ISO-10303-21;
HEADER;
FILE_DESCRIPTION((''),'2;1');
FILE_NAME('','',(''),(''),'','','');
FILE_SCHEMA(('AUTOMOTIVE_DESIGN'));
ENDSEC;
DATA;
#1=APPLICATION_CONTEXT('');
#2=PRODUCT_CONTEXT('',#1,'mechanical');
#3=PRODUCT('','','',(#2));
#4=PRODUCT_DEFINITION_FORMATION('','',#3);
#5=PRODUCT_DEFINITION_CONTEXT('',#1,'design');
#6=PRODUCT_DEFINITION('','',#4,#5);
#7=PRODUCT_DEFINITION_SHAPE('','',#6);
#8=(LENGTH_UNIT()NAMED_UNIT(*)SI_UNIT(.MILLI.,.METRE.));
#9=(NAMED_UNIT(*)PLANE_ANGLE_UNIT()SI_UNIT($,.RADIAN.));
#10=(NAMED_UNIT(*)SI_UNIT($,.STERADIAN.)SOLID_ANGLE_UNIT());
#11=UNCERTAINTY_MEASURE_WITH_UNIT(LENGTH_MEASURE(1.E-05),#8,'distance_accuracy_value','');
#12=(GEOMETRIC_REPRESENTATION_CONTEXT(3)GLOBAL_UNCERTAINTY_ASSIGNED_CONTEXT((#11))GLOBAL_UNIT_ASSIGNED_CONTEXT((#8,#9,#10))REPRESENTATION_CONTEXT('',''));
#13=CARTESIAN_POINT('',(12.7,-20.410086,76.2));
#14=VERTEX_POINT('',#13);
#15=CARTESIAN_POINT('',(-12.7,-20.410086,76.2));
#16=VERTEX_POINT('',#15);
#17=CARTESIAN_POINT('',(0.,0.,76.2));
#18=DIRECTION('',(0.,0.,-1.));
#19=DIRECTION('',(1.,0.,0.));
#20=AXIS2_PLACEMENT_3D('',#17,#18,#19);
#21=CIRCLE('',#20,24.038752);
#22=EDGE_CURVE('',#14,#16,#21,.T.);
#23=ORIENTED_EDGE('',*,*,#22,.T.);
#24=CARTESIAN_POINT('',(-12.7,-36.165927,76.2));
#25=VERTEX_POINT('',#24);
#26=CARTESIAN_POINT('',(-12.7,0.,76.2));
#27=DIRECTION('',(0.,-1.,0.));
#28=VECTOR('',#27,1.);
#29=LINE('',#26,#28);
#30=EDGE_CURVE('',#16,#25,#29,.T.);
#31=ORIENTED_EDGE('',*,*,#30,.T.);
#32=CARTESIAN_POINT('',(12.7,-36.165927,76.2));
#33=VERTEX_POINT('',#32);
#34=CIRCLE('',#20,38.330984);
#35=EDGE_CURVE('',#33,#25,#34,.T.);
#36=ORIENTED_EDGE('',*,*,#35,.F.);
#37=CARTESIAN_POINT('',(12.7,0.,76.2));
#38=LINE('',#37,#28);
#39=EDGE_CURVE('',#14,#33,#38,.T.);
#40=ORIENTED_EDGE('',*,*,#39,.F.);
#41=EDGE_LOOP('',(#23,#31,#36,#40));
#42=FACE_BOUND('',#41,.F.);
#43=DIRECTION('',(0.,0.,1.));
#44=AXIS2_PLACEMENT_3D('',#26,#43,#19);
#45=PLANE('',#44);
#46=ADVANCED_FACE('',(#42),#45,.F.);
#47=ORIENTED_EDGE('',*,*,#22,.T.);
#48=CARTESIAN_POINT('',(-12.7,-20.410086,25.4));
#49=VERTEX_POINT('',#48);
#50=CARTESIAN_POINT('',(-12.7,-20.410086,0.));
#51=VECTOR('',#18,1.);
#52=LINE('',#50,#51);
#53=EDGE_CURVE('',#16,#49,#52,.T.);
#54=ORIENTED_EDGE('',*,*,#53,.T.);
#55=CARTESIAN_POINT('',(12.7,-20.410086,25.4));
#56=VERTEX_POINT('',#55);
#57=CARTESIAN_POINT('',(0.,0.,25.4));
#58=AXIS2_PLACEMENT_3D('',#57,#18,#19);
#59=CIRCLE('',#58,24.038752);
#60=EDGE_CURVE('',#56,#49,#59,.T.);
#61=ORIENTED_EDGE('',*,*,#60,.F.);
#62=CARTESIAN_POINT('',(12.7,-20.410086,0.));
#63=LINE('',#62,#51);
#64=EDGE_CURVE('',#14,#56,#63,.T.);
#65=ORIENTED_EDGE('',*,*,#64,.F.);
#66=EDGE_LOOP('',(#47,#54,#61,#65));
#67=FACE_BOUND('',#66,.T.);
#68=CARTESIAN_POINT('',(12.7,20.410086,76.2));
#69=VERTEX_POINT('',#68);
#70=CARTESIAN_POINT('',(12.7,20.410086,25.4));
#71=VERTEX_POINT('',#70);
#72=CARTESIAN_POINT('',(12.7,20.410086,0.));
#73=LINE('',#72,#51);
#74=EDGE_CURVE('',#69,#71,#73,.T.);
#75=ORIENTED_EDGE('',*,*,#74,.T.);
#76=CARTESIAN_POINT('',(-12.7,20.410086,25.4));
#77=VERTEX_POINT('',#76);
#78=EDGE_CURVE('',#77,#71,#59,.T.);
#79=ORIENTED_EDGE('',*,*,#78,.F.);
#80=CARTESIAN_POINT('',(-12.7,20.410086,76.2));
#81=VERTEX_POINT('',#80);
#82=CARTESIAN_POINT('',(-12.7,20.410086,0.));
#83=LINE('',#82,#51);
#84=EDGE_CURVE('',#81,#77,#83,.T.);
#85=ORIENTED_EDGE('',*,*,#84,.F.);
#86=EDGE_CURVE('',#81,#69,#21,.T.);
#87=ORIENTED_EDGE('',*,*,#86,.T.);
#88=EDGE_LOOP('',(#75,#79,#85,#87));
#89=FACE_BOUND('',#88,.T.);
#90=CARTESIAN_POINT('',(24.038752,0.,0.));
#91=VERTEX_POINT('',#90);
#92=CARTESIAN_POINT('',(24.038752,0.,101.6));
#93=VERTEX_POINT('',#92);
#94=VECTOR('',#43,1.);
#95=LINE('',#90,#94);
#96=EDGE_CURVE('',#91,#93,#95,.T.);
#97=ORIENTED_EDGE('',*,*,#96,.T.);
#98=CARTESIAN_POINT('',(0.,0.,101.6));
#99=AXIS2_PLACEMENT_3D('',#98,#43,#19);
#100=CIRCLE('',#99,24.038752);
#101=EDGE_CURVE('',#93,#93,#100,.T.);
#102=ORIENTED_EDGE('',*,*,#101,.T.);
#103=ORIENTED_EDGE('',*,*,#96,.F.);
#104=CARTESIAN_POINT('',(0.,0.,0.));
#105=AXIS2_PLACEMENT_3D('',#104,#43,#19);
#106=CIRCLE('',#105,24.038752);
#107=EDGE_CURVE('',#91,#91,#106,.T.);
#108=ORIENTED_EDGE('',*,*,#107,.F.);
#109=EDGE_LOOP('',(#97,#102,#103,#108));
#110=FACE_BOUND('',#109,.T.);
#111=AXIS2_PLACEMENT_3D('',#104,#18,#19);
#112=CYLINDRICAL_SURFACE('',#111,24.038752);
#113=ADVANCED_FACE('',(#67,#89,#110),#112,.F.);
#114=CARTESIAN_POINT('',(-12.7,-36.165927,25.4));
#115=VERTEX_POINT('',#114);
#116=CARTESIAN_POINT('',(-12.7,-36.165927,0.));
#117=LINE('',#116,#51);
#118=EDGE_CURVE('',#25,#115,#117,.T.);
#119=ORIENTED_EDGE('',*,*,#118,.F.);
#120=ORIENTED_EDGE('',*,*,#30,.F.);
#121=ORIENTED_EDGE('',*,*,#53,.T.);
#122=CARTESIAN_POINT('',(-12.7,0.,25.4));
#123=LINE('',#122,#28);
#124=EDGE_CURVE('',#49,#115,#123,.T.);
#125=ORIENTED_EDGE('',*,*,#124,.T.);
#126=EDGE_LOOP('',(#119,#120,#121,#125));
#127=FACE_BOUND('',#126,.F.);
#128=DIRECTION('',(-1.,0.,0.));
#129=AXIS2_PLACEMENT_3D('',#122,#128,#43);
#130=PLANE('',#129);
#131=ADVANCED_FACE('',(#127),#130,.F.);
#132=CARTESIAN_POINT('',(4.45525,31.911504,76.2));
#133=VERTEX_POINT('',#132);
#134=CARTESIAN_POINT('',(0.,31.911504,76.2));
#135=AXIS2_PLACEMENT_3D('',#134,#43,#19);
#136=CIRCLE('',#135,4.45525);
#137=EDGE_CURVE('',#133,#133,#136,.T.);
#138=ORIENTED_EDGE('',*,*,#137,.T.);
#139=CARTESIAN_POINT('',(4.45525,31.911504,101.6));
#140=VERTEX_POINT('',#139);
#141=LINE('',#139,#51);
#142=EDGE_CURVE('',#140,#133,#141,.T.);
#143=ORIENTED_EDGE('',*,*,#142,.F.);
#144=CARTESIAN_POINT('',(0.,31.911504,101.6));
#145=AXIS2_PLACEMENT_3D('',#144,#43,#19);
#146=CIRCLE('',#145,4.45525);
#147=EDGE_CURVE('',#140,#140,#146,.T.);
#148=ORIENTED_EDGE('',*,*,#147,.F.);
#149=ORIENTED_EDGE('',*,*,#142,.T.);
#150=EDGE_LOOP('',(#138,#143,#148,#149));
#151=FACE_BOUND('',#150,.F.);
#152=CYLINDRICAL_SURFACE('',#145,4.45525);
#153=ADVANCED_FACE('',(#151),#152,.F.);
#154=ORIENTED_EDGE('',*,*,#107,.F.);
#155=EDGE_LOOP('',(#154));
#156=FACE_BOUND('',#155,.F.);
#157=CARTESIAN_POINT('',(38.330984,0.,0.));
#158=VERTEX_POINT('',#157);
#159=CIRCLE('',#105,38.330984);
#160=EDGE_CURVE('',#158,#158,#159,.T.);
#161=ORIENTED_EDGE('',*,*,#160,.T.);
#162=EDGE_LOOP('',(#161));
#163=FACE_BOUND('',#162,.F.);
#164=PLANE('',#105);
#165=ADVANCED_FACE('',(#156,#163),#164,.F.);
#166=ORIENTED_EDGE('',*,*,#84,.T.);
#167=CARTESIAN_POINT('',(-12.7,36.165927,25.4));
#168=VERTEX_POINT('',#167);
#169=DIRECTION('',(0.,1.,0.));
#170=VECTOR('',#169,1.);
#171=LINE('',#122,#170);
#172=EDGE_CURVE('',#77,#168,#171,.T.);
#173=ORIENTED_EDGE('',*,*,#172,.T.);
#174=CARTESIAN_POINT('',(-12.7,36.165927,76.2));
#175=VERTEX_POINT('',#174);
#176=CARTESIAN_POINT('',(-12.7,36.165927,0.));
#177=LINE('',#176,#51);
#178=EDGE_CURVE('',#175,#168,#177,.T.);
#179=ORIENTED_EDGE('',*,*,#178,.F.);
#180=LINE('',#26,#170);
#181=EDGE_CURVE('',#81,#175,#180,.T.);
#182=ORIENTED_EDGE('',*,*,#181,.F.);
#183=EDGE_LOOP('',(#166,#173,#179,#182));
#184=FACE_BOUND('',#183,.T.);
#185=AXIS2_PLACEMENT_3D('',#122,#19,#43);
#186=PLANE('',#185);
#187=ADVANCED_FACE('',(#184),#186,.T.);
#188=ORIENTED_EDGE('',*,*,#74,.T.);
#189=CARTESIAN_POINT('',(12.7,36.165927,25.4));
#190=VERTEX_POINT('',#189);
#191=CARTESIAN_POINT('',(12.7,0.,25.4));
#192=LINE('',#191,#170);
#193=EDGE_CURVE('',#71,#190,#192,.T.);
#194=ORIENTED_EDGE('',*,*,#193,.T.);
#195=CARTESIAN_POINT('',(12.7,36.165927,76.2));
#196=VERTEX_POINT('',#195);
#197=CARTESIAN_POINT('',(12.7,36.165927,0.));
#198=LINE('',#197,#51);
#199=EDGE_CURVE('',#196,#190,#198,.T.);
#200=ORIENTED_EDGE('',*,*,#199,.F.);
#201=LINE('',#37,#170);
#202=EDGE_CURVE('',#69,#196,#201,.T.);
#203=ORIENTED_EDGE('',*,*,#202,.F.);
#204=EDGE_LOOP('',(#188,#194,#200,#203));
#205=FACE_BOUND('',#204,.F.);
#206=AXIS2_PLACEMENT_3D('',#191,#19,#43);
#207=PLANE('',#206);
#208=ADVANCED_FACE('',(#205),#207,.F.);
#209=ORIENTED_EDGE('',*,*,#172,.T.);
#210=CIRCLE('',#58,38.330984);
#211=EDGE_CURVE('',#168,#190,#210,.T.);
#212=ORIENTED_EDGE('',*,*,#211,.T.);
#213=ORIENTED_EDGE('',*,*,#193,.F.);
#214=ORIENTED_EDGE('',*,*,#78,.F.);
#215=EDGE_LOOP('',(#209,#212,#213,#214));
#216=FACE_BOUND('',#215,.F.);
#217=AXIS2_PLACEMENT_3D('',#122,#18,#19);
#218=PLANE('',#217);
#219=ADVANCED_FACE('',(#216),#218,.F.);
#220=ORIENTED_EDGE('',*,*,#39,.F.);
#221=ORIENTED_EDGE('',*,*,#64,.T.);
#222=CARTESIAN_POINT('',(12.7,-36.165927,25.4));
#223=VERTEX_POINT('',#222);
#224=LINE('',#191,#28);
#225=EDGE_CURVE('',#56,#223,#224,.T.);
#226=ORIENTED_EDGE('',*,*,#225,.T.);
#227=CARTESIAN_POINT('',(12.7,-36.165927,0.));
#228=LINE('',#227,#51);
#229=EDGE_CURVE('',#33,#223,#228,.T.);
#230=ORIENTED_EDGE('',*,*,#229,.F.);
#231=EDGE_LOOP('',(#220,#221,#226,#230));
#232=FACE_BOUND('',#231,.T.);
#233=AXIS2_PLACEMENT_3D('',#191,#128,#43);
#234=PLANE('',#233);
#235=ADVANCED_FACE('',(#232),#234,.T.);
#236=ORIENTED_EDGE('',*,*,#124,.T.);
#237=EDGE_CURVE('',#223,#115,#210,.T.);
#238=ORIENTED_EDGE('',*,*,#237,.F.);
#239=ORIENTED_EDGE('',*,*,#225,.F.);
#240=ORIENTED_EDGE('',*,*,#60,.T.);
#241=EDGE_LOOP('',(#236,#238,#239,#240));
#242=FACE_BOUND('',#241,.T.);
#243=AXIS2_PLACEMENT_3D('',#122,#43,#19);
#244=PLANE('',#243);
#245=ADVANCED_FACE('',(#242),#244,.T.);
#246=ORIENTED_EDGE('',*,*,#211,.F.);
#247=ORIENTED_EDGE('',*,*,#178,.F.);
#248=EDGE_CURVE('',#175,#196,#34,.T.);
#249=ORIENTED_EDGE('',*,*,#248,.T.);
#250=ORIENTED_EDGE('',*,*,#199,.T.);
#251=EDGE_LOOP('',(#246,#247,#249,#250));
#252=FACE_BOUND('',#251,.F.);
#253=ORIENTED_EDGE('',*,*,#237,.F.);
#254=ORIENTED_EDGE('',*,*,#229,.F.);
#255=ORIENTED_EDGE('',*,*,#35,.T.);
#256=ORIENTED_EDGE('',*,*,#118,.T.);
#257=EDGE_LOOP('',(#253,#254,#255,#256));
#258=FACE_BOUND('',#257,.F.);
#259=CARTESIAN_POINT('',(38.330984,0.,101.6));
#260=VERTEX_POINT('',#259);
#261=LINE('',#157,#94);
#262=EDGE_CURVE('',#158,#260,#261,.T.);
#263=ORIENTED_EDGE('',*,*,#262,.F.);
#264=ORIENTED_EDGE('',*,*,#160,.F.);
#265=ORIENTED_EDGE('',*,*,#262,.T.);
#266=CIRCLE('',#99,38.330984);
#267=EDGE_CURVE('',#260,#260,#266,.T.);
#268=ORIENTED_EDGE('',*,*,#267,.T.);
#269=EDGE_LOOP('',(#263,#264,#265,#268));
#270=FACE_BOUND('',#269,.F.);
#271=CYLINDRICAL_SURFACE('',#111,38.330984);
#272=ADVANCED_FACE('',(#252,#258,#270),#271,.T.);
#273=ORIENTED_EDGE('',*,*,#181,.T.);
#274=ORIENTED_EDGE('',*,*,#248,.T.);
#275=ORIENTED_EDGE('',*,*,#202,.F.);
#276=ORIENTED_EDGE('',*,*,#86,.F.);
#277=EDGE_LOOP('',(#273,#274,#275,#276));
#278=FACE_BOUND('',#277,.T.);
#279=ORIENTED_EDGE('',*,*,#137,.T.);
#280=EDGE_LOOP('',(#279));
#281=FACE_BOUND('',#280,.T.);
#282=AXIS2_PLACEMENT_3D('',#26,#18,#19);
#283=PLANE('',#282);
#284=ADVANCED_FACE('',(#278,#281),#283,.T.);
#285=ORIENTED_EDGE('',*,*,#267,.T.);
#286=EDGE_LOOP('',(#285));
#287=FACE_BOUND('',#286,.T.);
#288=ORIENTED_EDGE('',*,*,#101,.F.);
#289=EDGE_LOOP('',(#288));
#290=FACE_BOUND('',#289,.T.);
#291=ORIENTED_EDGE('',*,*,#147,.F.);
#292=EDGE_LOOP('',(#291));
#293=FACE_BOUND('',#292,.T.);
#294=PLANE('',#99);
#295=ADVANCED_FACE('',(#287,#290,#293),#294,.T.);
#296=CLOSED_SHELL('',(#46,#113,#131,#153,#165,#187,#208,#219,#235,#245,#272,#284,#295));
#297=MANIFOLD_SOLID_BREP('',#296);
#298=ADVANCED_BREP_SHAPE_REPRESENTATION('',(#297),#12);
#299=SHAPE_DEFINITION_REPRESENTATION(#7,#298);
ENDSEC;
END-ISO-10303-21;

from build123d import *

# Parameters (mm, degrees)
F0_R          = 38.3309835302
F0_R_2        = 24.0387523189
F1_DEPTH      = 101.6
F2_W          = 25.4
F2_H          = 50.8
F3_DEPTH      = 38.3319835302
F3_DEPTH_BACK = 38.3319835302
F4_R          = 4.4552500981
F5_DEPTH      = 25.4


with BuildPart() as f1:
    # F0 (on Top) → F1 (new body)
    with BuildSketch(Plane.XY):
        Circle(F0_R)
        Circle(F0_R_2, mode=Mode.SUBTRACT)
    extrude(amount=F1_DEPTH)

    # F2 (on Front) → F3 (cut, two sides)
    with BuildSketch(Plane.XZ) as f3_sk:
        with Locations((0, 50.8)):
            Rectangle(F2_W, F2_H)
    extrude(amount=-F3_DEPTH, mode=Mode.SUBTRACT)
    extrude(f3_sk.sketch, amount=F3_DEPTH_BACK, mode=Mode.SUBTRACT)

    # F4 (on face) → F5 (cut, through all)
    with BuildSketch(Plane.XY.offset(101.6)):
        with Locations((0, 31.9115035236)):
            Circle(F4_R)
    extrude(amount=-F5_DEPTH, mode=Mode.SUBTRACT)


solid = f1.part
